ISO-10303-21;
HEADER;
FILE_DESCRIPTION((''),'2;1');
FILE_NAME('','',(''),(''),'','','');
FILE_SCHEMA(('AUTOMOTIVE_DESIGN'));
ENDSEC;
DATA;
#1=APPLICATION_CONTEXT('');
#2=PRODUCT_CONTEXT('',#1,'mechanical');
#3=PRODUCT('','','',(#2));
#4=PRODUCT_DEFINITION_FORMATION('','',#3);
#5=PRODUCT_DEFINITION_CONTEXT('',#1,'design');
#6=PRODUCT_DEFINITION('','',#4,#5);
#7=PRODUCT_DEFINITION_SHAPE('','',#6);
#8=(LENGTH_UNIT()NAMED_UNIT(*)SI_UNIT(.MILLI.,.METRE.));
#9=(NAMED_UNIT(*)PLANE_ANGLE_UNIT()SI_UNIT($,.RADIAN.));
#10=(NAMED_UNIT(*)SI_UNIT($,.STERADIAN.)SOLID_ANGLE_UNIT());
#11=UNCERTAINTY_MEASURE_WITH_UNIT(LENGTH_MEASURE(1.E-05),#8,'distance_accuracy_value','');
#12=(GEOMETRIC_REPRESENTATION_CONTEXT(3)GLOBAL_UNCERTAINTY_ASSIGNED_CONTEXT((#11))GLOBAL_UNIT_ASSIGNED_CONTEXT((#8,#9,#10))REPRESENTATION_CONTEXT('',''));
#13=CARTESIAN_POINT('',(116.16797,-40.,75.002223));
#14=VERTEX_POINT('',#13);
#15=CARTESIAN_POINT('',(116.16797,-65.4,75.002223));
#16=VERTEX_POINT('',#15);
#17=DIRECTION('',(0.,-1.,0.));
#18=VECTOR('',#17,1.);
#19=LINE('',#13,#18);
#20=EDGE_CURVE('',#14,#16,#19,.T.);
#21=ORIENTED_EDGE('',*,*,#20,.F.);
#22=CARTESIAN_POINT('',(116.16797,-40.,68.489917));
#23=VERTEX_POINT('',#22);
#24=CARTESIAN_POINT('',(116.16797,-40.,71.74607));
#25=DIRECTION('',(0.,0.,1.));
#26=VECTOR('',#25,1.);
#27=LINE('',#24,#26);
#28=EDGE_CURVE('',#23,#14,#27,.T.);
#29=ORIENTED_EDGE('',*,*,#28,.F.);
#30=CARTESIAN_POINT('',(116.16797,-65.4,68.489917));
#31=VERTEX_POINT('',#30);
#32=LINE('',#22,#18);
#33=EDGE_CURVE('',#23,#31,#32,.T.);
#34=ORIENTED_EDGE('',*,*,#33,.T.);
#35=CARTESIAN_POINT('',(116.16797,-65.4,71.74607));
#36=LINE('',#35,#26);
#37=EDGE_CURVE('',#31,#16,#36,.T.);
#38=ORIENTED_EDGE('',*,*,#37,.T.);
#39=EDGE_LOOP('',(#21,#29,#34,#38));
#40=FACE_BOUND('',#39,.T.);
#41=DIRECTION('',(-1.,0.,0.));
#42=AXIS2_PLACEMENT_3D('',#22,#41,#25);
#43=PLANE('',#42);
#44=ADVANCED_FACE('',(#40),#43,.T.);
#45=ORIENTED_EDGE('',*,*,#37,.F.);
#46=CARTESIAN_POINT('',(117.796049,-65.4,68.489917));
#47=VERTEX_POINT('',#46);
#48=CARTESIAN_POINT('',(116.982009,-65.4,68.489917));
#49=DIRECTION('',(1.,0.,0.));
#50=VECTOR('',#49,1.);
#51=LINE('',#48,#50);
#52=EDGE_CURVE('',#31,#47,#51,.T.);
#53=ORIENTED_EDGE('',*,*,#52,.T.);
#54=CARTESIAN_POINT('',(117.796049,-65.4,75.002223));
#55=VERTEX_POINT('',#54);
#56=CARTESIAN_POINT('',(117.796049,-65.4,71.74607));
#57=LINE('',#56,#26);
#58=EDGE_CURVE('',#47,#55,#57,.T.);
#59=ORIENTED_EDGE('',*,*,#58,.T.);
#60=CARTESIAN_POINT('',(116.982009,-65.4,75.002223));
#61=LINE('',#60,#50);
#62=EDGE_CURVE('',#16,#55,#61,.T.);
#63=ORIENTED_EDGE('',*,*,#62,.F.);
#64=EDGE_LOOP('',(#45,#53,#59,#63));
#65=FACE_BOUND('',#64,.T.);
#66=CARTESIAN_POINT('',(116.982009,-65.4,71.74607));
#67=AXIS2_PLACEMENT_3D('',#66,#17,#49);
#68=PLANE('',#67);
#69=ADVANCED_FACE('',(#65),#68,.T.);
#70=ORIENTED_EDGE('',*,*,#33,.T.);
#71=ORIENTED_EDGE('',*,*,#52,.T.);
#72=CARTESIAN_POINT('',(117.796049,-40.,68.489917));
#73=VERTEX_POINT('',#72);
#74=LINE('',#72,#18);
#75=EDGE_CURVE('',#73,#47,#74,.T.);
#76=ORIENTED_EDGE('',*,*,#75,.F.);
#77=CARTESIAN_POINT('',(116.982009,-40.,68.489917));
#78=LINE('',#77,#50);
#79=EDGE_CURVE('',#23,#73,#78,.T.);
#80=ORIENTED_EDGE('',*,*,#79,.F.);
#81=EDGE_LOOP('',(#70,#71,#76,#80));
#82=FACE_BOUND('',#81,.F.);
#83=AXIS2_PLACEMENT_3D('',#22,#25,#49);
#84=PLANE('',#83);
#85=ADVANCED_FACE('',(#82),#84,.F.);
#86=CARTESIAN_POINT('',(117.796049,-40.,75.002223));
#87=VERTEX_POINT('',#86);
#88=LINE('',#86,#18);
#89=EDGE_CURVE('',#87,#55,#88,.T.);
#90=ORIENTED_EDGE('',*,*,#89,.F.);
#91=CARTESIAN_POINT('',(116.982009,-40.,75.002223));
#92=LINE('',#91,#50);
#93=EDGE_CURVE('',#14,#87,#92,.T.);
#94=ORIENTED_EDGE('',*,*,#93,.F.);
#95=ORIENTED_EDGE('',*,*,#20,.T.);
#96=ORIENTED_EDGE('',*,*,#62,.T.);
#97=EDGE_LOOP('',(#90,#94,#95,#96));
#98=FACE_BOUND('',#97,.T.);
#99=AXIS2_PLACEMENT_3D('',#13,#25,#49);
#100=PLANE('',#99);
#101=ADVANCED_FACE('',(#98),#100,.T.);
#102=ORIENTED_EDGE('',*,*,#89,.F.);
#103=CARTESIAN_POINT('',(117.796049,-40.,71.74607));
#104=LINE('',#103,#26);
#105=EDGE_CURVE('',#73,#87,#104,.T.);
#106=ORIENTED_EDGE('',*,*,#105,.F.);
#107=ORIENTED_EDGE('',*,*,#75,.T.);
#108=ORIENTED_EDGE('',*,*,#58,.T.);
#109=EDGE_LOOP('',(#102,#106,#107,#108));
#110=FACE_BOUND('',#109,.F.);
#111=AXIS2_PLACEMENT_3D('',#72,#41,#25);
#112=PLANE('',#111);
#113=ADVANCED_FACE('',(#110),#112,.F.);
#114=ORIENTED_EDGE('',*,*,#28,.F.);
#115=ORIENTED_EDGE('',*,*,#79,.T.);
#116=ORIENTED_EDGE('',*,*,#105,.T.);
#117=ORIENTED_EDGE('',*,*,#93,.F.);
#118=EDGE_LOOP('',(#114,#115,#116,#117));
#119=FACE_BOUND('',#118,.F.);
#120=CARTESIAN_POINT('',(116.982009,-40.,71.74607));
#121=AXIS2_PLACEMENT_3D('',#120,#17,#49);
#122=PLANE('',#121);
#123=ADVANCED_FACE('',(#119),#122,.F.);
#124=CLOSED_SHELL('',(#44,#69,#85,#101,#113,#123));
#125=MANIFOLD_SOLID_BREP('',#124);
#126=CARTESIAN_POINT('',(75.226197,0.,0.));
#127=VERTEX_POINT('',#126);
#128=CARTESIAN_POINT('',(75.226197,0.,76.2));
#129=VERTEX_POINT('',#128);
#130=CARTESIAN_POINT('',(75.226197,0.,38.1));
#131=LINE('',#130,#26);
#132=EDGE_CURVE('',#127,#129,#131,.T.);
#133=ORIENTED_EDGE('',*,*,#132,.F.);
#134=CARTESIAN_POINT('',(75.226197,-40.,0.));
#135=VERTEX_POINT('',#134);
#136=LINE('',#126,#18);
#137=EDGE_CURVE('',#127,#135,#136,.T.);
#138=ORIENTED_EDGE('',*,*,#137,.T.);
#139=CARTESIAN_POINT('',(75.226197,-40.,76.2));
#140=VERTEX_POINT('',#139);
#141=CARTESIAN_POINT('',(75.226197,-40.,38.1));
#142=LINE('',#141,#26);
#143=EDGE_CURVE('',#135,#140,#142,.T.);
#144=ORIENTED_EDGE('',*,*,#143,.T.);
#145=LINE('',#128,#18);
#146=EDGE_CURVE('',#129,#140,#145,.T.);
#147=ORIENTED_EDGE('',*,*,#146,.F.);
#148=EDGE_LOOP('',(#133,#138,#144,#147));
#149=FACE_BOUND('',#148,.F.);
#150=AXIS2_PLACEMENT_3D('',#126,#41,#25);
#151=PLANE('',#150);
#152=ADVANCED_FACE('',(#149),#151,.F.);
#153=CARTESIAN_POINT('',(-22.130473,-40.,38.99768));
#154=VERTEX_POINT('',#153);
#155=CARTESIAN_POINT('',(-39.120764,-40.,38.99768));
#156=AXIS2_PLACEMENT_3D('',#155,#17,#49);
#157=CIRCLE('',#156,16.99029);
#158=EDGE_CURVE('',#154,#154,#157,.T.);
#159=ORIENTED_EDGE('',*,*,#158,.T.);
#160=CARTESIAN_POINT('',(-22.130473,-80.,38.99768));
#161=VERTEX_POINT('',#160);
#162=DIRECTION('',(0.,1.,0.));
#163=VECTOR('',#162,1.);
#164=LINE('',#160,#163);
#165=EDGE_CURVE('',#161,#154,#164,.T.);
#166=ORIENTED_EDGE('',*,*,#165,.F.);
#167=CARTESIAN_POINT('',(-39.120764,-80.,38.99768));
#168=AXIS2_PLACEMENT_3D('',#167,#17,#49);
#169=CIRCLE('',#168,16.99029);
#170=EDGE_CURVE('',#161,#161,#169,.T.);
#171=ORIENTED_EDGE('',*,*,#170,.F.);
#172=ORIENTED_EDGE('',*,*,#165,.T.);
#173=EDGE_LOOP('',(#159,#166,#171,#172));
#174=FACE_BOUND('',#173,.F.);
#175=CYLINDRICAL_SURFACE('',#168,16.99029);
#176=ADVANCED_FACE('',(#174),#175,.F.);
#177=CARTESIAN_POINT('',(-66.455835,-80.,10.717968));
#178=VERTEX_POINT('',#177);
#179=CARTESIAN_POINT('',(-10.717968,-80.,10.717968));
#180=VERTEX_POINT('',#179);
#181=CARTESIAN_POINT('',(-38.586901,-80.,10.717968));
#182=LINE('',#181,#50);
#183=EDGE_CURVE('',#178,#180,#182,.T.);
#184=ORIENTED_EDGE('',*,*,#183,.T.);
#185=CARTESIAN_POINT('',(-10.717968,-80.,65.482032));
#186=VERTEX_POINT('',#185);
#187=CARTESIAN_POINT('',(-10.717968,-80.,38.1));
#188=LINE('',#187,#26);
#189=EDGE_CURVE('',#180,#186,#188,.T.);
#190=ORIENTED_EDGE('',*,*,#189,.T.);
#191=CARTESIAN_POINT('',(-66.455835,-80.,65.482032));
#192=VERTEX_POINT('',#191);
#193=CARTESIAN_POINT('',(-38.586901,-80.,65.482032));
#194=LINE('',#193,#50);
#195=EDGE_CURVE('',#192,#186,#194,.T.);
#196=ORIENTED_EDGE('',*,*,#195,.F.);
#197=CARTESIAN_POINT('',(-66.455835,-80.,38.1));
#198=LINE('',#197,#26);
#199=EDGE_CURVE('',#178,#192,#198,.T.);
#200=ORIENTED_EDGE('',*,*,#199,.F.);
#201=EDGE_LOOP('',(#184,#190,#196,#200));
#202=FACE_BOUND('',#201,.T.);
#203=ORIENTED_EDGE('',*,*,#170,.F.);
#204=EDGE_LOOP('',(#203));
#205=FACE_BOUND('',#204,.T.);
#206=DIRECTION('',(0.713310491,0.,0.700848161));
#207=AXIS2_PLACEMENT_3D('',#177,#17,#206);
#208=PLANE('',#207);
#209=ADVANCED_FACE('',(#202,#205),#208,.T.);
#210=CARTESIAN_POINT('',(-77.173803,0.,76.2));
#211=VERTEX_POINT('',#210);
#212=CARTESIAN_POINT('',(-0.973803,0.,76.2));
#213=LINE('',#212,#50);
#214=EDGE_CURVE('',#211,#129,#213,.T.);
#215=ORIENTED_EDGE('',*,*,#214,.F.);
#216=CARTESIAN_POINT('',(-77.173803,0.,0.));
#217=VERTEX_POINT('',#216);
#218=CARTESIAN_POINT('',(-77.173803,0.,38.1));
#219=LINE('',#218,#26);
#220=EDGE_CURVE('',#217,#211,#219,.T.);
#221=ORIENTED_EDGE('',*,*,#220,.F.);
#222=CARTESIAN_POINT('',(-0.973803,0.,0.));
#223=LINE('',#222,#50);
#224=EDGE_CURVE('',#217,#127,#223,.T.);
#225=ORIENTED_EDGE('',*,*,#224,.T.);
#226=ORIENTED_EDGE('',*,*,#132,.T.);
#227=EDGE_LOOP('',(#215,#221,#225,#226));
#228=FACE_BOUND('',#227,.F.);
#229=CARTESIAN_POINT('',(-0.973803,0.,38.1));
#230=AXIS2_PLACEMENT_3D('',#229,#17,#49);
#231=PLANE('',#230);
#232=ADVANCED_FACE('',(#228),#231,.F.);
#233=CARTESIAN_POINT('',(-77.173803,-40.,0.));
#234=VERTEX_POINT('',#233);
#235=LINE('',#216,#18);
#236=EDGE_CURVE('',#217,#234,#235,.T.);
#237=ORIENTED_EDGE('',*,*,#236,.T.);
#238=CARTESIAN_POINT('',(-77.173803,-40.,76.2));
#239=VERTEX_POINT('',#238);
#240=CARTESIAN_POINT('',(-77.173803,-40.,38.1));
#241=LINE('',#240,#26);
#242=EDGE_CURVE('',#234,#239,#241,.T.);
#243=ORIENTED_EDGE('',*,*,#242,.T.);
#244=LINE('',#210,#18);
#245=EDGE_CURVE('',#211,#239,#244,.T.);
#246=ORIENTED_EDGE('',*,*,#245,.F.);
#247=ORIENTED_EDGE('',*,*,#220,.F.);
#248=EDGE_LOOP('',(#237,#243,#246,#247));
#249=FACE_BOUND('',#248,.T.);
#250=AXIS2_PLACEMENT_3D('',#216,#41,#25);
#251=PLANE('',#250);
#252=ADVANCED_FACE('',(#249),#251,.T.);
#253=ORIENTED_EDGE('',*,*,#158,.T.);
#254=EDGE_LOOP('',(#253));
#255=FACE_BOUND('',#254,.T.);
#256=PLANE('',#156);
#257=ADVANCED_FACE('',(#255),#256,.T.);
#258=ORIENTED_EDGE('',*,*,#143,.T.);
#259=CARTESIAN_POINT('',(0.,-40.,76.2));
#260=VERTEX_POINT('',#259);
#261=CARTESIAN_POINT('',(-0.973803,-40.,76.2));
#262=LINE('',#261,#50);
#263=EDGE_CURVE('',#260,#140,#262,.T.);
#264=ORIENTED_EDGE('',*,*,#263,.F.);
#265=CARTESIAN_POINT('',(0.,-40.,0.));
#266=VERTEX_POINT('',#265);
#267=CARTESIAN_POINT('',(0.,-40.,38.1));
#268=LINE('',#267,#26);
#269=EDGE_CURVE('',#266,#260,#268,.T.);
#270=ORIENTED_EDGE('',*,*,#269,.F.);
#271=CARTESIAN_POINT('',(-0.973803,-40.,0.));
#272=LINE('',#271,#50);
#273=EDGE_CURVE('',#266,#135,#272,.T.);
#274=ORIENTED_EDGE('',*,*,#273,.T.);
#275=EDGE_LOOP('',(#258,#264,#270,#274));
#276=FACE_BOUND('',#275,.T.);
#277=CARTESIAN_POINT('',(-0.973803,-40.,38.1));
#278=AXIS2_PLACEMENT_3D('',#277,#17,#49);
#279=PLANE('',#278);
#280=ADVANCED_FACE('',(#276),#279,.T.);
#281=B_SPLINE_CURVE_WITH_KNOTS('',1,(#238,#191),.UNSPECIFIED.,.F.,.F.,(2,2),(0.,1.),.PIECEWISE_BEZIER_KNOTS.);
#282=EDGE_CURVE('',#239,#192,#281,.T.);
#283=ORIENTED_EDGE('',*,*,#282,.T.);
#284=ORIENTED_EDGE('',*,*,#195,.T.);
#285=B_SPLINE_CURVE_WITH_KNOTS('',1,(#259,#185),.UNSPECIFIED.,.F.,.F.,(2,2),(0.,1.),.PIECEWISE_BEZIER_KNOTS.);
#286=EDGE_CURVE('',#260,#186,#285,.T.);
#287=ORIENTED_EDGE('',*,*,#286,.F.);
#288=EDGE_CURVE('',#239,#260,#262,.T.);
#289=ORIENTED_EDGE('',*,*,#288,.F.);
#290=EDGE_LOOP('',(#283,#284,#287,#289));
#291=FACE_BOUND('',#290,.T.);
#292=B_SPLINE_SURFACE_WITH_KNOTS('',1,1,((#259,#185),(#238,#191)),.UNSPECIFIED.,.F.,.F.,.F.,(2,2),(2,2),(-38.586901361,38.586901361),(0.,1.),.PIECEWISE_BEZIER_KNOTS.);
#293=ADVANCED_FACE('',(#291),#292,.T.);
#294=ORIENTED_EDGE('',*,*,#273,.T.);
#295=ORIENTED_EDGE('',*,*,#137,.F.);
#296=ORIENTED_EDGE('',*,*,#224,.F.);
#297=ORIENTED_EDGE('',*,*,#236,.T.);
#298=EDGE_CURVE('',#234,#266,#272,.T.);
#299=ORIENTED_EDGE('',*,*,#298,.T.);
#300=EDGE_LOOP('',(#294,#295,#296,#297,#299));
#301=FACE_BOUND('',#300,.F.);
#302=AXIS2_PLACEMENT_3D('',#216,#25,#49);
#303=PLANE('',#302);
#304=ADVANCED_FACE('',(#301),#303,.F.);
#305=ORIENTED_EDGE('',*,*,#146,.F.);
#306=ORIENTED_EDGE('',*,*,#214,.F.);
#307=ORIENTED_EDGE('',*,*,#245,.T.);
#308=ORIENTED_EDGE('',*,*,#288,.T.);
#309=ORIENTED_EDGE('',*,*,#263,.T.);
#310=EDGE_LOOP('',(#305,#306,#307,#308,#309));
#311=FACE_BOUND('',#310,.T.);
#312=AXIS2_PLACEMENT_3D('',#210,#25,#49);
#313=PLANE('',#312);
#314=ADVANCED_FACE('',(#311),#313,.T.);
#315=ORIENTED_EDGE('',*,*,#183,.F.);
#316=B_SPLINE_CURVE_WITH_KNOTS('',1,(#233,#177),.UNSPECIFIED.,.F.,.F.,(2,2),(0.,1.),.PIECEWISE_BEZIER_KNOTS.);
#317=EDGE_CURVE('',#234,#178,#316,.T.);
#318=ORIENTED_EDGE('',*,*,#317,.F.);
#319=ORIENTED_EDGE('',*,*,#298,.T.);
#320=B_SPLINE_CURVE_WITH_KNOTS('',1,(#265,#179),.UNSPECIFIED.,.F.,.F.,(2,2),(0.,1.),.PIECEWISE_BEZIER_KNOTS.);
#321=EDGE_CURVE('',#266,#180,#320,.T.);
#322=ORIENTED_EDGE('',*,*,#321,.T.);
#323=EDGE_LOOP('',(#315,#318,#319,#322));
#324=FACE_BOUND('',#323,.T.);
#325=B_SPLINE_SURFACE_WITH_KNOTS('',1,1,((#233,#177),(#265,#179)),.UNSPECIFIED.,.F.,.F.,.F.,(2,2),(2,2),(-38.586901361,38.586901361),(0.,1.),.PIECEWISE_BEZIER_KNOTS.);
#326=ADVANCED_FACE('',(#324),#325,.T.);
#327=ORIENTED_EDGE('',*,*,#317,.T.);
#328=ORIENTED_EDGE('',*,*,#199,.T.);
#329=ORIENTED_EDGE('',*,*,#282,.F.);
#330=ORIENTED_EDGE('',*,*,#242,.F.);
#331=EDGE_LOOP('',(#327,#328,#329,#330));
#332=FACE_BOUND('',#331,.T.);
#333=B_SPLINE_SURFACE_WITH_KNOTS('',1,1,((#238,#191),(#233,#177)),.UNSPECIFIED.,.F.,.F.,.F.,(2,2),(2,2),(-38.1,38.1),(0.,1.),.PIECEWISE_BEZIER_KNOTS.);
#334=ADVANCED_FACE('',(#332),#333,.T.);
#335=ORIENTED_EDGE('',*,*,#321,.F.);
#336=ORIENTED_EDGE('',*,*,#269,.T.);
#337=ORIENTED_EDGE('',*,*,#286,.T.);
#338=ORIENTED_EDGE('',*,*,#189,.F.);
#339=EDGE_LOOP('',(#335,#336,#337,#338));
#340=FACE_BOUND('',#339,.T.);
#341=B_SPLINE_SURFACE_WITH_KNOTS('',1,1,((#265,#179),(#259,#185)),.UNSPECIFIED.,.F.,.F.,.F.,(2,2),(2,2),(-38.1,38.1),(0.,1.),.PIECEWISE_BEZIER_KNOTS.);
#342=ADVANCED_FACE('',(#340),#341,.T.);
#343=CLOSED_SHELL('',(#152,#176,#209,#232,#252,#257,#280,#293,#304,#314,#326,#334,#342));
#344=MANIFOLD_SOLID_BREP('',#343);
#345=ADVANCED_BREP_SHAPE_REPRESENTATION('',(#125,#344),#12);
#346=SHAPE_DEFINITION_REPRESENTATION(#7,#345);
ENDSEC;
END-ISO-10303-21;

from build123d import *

# Parameters (mm, degrees)
F0_W     = 152.4
F0_H     = 76.2
F1_DEPTH = 40
F2_W     = 1.6280785203
F2_H     = 6.5123066306
F3_DEPTH = 25.4
F4_W     = 77.1738027223
F4_H     = 76.2
F5_DEPTH = 40
F5_TAPER = 15
F6_R     = 16.9902904257
F7_DEPTH = 40


with BuildPart() as f1:
    # F0 (on Front) → F1 (new body)
    with BuildSketch(Plane.XZ):
        with Locations((-0.9738027223, 38.1)):
            Rectangle(F0_W, F0_H)
    extrude(amount=F1_DEPTH)

    # F4 (on face) → F5 (join)
    with BuildSketch(Plane.XZ.offset(40)):
        with Locations((-38.5869013612, 38.1)):
            Rectangle(F4_W, F4_H)
    extrude(amount=F5_DEPTH, taper=F5_TAPER)

    # F6 (on face) → F7 (cut)
    with BuildSketch(Plane.XZ.offset(80)):
        with Locations((-39.1207635403, 38.9976799488)):
            Circle(F6_R)
    extrude(amount=-F7_DEPTH, mode=Mode.SUBTRACT)


with BuildPart() as f3:
    # F2 (on face) → F3 (new body)
    with BuildSketch(Plane.XZ.offset(40)):
        with Locations((116.9820092618, 71.7460699379)):
            Rectangle(F2_W, F2_H)
    extrude(amount=F3_DEPTH)


solid = Compound([f1.part, f3.part])
